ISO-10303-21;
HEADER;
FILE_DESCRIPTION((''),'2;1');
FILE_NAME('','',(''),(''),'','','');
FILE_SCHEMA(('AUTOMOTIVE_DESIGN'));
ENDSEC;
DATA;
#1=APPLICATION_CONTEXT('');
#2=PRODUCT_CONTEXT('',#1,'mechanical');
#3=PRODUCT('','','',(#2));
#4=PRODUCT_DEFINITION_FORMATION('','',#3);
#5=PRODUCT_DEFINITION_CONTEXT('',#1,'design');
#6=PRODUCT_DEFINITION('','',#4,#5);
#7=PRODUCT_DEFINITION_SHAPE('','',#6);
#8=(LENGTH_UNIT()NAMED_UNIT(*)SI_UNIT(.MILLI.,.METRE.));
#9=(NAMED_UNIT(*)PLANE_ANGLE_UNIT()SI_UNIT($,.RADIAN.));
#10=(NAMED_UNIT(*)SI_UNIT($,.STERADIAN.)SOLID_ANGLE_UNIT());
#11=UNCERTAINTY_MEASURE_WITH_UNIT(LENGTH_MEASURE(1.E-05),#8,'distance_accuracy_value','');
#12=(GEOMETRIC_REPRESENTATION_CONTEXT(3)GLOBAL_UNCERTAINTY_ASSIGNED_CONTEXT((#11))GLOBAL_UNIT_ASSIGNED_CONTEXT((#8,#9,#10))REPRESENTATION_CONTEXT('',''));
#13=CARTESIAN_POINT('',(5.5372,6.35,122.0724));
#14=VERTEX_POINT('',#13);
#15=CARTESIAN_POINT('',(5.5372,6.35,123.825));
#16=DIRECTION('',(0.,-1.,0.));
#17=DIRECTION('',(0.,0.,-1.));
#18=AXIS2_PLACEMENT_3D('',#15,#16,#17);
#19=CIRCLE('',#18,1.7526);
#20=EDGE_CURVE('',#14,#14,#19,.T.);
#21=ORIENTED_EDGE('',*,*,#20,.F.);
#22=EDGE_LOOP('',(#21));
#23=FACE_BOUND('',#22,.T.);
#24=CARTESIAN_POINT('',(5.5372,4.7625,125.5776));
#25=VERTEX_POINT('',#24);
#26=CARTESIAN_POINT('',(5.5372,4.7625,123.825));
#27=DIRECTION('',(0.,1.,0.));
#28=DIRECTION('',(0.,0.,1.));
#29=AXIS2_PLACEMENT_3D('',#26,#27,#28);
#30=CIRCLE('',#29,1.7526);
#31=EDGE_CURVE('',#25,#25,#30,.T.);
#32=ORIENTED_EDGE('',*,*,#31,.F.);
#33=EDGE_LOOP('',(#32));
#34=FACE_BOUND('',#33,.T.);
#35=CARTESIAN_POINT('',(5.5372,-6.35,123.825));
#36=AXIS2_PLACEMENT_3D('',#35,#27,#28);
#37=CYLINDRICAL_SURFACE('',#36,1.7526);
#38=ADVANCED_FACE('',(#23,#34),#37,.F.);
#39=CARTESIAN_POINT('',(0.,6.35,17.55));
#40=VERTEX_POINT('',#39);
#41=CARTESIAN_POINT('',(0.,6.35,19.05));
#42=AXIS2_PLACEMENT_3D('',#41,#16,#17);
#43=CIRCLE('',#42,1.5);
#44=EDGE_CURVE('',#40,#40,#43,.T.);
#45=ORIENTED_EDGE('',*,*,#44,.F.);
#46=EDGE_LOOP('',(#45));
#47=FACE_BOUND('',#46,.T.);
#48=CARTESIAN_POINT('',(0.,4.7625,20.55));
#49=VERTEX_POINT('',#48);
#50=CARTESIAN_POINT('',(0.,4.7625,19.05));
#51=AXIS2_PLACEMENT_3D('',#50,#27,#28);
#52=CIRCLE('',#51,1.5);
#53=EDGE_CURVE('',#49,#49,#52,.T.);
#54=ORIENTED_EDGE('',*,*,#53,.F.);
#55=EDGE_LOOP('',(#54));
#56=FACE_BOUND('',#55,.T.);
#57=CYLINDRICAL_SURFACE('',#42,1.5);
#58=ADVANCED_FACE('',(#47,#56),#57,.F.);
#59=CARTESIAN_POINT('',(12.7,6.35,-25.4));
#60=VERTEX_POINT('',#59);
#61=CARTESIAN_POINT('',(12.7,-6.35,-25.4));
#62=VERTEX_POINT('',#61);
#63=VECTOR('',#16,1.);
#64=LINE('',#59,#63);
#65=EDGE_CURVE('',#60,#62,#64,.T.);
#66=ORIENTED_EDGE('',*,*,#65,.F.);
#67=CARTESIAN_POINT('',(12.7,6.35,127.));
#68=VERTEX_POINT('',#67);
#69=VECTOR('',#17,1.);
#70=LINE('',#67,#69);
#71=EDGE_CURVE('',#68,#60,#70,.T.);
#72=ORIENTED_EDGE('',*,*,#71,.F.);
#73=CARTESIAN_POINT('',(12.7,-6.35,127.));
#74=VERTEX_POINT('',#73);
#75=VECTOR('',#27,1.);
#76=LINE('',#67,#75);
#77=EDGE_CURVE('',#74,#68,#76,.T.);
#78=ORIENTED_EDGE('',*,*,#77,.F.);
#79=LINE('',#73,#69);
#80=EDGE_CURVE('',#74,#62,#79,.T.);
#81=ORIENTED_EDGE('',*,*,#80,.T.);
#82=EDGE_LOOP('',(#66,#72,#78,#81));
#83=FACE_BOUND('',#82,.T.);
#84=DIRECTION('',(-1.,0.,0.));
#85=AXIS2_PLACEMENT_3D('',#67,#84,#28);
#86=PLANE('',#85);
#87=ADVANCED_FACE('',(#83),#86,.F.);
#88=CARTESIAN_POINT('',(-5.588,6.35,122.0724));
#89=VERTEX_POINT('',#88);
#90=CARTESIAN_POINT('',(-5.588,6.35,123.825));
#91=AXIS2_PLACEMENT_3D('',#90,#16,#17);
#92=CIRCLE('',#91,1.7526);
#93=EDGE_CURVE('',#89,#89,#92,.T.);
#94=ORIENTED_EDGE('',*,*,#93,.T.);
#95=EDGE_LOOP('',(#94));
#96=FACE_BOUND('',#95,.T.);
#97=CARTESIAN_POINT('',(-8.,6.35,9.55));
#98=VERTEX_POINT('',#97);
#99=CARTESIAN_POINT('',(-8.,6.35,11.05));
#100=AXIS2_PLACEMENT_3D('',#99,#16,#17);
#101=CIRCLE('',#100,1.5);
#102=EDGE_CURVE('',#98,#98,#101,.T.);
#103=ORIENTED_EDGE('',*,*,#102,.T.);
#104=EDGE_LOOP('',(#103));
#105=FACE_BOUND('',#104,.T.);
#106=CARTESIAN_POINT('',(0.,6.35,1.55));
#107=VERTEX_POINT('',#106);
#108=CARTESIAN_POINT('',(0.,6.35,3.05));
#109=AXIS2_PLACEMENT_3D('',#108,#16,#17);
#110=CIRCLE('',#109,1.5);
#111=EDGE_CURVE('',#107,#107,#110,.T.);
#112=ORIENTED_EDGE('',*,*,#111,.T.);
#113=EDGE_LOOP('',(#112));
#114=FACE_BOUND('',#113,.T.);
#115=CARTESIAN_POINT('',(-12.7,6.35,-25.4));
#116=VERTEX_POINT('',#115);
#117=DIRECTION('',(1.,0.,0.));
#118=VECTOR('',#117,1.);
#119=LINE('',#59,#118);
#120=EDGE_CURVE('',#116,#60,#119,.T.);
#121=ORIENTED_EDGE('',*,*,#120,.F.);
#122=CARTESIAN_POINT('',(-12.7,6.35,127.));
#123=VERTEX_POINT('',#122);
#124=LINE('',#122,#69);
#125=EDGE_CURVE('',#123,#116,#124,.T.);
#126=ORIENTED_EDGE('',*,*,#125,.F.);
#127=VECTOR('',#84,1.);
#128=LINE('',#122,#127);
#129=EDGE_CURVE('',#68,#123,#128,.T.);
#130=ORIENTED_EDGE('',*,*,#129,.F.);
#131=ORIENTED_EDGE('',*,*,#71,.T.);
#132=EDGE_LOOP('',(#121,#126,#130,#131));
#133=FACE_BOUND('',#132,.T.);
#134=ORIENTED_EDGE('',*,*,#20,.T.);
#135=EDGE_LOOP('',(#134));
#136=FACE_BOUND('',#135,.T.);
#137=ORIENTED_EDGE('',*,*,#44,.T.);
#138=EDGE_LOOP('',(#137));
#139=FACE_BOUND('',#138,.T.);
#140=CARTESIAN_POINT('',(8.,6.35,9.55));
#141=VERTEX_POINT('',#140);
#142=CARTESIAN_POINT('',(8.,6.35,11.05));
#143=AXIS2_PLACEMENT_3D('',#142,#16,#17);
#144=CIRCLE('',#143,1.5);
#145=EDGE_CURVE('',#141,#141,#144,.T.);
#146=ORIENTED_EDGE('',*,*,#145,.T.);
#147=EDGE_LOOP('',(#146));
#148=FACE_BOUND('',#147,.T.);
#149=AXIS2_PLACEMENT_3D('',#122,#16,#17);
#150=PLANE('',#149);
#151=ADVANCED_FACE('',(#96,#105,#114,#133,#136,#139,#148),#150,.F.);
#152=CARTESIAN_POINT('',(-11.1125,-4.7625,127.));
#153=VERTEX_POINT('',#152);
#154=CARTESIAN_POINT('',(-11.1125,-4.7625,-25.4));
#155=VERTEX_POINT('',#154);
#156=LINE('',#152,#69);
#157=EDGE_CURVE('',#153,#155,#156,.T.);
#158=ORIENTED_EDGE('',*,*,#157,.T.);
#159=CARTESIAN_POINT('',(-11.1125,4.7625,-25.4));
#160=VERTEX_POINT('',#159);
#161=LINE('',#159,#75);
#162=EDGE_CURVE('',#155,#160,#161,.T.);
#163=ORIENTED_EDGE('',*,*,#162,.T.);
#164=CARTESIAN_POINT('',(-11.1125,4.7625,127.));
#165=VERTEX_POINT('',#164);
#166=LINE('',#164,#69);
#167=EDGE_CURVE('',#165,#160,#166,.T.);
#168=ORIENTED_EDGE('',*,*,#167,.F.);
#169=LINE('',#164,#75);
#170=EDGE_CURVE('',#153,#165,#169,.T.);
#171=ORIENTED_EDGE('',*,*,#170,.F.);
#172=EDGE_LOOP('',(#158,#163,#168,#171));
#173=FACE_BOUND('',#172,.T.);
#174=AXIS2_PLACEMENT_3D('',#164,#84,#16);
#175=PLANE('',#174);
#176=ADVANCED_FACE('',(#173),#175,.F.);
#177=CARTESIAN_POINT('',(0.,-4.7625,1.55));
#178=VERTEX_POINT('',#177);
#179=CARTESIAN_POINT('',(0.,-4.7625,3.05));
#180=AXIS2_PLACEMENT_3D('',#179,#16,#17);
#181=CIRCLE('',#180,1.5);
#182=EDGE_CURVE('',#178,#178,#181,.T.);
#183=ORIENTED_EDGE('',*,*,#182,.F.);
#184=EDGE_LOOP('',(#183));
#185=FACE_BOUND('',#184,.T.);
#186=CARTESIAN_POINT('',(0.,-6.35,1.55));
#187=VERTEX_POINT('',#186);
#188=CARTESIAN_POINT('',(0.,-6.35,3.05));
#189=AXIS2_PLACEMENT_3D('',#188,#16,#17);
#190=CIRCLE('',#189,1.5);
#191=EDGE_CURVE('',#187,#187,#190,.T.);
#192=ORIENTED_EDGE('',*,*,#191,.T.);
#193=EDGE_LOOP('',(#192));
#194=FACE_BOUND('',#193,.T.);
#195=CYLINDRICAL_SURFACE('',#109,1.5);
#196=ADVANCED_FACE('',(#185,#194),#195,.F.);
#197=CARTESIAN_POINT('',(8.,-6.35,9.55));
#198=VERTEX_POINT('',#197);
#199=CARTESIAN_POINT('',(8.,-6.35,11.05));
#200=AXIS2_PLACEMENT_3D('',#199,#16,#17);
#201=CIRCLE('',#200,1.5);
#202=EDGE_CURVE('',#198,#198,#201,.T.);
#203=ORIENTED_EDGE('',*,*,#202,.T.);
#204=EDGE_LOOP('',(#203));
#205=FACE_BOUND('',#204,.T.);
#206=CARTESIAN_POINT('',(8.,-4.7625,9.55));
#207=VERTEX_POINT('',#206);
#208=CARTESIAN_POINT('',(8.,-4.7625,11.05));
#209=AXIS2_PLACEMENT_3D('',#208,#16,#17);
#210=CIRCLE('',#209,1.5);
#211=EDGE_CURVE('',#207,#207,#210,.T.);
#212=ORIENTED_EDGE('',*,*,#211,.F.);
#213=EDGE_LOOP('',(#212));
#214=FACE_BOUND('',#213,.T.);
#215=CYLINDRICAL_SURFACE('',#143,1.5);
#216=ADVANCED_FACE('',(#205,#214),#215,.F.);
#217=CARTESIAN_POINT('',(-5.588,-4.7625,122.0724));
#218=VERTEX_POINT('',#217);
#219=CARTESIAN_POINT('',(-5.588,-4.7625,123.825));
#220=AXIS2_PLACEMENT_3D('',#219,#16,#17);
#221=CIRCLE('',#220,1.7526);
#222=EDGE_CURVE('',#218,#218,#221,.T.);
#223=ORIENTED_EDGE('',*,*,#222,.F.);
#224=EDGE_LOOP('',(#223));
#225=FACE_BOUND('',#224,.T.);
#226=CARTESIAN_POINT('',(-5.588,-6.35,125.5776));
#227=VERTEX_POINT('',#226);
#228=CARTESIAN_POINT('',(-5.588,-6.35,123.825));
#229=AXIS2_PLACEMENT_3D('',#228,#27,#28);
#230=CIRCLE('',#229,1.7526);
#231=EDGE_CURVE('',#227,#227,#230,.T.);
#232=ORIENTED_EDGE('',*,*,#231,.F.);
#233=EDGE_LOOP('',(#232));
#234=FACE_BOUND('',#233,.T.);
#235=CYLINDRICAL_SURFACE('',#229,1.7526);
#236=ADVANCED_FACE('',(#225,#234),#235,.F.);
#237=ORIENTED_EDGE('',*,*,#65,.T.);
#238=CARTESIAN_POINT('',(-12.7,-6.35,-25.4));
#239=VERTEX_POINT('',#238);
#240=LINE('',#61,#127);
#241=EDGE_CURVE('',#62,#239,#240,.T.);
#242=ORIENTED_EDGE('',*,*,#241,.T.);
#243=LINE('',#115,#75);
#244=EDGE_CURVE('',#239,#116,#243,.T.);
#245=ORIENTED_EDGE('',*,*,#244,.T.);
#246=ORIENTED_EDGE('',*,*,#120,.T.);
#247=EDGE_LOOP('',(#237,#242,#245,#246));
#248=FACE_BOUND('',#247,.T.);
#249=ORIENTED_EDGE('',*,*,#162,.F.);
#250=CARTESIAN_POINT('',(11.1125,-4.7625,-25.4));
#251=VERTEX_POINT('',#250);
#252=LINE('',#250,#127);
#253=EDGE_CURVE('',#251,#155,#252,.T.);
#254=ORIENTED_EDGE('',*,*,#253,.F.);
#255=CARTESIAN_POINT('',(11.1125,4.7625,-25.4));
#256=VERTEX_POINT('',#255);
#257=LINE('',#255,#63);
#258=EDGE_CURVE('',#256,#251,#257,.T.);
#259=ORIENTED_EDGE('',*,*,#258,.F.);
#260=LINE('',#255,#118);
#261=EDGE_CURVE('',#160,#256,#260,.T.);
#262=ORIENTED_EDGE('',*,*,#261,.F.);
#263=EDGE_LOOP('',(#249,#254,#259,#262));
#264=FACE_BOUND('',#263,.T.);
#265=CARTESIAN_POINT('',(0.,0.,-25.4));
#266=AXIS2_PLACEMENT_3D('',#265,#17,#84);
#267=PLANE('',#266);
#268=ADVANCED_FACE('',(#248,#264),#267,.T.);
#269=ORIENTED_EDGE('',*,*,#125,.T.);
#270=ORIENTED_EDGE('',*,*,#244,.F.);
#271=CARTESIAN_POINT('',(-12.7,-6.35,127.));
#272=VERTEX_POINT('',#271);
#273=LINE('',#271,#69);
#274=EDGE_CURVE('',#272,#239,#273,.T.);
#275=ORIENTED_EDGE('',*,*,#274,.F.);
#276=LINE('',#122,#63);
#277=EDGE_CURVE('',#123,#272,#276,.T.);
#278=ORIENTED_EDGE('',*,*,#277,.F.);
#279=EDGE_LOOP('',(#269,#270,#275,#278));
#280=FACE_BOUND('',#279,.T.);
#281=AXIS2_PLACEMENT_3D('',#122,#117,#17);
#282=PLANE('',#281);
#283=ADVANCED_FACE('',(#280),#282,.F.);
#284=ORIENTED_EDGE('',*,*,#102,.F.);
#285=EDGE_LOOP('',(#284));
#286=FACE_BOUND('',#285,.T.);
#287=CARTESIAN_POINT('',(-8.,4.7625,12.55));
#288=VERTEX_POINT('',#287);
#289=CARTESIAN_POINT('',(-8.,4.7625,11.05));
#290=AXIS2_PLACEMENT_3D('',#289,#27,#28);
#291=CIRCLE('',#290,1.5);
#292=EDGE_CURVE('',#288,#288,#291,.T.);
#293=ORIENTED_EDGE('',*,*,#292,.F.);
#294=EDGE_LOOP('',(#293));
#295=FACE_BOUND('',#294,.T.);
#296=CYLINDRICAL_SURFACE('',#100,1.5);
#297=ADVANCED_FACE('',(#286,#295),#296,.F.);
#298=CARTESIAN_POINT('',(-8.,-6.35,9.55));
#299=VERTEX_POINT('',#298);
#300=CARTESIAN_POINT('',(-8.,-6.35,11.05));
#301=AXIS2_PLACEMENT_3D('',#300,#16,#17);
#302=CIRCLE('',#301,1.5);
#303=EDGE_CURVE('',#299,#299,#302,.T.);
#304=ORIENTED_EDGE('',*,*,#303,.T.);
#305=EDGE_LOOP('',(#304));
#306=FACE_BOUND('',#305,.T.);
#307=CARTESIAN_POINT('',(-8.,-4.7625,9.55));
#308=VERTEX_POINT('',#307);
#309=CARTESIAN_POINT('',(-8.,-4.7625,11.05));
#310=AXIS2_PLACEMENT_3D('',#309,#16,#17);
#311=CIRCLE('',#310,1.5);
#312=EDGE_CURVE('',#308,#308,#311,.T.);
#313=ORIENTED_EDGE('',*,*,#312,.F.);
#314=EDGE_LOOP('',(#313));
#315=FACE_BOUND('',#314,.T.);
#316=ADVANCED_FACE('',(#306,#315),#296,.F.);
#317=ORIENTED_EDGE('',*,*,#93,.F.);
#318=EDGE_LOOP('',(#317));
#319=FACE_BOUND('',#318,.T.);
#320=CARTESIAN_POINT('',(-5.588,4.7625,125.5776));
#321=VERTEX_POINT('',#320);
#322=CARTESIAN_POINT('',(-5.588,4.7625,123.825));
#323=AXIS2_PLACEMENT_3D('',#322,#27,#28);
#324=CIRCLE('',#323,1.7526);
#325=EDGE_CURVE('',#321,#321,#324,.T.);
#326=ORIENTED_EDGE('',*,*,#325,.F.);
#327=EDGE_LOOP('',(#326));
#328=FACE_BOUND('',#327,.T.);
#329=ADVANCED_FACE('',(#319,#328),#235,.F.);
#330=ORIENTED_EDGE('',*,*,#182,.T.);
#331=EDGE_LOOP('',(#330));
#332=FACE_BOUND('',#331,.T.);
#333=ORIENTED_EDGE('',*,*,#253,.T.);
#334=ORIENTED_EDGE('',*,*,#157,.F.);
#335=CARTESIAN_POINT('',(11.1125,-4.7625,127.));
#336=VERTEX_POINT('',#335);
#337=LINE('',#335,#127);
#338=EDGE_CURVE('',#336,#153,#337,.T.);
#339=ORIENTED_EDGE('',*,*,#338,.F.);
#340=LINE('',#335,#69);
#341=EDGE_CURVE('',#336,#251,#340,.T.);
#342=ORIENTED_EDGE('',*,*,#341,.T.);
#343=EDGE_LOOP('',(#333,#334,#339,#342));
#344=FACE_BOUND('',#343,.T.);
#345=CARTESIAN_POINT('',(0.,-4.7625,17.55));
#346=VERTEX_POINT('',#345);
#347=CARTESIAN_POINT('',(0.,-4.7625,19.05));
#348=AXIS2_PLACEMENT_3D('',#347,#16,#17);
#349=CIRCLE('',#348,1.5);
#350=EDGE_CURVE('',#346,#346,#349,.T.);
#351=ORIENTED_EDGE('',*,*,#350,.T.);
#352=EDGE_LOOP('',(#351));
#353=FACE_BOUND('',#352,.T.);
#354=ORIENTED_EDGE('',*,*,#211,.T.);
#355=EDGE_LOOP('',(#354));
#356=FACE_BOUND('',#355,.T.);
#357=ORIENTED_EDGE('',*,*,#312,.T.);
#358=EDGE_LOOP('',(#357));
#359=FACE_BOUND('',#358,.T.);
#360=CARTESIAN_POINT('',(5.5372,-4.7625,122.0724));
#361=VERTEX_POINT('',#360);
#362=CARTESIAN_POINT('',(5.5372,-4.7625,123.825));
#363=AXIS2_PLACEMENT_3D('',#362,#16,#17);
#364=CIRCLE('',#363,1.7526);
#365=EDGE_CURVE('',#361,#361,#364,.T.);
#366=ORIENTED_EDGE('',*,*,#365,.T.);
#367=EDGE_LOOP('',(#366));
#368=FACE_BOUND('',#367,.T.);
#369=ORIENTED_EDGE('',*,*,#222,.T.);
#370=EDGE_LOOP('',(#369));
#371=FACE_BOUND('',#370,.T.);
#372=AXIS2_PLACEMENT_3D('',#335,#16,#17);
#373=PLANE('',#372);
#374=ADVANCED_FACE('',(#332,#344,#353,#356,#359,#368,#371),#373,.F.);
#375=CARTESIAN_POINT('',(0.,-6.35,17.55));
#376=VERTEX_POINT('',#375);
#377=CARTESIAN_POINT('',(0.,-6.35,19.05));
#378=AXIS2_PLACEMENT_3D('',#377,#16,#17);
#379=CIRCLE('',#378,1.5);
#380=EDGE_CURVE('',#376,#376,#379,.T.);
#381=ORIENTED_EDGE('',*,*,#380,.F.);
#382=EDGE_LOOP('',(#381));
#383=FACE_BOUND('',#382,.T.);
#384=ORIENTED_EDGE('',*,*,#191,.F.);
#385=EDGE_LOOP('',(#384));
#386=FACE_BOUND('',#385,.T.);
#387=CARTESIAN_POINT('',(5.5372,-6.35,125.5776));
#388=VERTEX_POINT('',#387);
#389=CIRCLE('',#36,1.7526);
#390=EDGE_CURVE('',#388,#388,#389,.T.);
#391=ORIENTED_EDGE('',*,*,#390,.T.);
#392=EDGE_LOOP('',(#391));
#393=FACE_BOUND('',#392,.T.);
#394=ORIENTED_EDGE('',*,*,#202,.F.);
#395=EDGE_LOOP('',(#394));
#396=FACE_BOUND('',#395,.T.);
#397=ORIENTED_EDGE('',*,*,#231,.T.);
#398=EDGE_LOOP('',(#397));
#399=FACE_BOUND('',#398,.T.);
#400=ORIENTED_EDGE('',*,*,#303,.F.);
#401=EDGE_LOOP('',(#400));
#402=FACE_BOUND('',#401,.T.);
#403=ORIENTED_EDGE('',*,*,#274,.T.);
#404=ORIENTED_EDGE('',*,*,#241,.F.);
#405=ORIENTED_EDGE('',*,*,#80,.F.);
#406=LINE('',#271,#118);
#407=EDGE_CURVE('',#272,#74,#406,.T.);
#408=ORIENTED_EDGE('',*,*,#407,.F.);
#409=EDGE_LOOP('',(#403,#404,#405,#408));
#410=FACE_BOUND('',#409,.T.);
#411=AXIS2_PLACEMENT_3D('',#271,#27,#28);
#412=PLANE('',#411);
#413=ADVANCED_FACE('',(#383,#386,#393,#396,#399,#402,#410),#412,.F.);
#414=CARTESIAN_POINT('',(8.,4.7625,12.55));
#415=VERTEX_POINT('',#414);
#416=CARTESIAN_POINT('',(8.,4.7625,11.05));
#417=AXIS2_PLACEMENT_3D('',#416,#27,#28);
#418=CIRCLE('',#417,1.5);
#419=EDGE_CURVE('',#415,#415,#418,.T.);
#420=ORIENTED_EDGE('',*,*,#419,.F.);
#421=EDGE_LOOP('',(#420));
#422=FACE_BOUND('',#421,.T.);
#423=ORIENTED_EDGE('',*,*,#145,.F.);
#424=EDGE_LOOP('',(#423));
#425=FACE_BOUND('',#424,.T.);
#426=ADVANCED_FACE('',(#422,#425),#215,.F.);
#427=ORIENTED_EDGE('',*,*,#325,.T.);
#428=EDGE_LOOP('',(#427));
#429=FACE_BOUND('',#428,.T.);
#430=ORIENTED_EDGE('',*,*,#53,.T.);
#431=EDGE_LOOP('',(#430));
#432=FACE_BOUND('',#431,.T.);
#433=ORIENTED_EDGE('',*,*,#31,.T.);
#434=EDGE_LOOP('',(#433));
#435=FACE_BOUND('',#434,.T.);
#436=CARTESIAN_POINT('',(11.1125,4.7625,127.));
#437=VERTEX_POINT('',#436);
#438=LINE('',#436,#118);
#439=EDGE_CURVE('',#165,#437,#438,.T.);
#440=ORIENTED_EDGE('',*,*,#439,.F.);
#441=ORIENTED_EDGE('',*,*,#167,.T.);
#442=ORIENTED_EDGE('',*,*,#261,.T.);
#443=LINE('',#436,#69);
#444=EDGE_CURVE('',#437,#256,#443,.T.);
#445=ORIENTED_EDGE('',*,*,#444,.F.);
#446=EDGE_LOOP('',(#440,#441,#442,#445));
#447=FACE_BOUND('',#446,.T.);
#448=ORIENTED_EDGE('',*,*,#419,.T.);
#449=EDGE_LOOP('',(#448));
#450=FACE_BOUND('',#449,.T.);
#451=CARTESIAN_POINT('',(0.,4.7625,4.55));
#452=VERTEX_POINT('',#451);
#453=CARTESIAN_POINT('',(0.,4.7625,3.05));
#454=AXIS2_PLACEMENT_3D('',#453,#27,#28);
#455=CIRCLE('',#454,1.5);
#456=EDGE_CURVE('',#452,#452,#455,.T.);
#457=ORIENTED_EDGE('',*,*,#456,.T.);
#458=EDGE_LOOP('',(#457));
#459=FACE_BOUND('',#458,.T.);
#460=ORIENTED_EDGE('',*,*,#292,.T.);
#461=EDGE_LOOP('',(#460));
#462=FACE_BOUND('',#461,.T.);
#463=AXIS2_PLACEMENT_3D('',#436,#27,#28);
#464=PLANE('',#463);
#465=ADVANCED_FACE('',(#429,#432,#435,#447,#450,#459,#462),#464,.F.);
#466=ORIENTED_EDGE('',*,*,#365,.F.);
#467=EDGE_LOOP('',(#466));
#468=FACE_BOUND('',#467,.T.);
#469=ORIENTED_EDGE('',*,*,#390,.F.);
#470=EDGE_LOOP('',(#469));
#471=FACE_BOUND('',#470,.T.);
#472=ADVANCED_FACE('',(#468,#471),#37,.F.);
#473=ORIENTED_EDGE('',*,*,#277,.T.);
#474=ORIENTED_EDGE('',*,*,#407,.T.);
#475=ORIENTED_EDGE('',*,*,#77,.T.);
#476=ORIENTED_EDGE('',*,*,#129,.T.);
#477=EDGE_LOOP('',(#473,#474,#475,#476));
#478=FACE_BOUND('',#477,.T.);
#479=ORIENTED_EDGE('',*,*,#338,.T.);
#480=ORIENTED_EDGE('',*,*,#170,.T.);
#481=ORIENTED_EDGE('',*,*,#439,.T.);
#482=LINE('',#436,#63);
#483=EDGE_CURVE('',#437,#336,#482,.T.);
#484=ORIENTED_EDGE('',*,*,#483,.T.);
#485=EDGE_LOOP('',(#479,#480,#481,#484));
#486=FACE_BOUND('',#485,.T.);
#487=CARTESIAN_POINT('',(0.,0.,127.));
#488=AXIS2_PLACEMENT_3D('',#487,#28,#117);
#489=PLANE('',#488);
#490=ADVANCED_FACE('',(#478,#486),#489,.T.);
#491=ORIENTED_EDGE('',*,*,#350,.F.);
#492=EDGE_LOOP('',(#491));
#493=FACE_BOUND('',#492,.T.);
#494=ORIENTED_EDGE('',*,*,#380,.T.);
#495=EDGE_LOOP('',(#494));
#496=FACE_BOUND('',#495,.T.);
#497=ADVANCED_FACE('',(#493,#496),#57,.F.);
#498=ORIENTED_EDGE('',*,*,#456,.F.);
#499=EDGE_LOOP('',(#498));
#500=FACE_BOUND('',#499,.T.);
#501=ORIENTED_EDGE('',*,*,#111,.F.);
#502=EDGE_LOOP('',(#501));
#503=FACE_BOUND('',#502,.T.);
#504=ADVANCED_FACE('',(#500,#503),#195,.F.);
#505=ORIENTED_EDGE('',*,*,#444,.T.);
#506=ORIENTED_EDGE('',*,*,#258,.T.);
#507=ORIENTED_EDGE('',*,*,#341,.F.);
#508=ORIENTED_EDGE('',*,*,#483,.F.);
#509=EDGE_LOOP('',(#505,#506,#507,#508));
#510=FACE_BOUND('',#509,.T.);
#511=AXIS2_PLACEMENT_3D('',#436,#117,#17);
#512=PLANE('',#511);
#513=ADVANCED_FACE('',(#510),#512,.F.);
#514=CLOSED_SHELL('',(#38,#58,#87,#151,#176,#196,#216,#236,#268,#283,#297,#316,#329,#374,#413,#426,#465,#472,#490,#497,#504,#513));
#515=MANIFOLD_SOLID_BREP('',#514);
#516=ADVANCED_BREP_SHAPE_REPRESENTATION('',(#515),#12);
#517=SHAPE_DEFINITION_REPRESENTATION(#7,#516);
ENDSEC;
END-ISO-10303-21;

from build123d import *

# Parameters (mm, degrees)
SKETCH1_W               = 25.4
SKETCH1_H               = 12.7
BOSS_EXTRUDE1_DEPTH     = 127
SKETCH4_W               = 22.225
SKETCH4_H               = 9.525
CUT_EXTRUDE1_DEPTH      = 128
SKETCH5_R               = 1.7526
CUT_EXTRUDE2_DEPTH      = 1
CUT_EXTRUDE2_DEPTH_BACK = 13.7
SKETCH6_R               = 1.5
CUT_EXTRUDE3_DEPTH      = 1
CUT_EXTRUDE3_DEPTH_BACK = 13.7
SKETCH7_W               = 25.4
SKETCH7_H               = 12.7
SKETCH7_W_2             = 22.225
SKETCH7_H_2             = 9.525
BOSS_EXTRUDE2_DEPTH     = 25.4


with BuildPart() as part:
    # Sketch1 → Boss-Extrude1 (new body)
    with BuildSketch(Plane.XY):
        Rectangle(SKETCH1_W, SKETCH1_H)
    extrude(amount=BOSS_EXTRUDE1_DEPTH)

    # Sketch4 → Cut-Extrude1 (cut, through all)
    with BuildSketch(Plane(origin=(0, 0, 0), x_dir=(-1, 0, 0), z_dir=(0, 0, -1))):
        Rectangle(SKETCH4_W, SKETCH4_H)
    extrude(amount=-CUT_EXTRUDE1_DEPTH, mode=Mode.SUBTRACT)

    # Sketch5 → Cut-Extrude2 (cut, two sides)
    with BuildSketch(Plane(origin=(0, 6.35, 0), x_dir=(1, 0, 0), z_dir=(0, 1, 0))) as cut_extrude2_sk:
        with Locations((-5.588, -123.825)):
            Circle(SKETCH5_R)
        with Locations((5.5372, -123.825)):
            Circle(SKETCH5_R)
    extrude(amount=CUT_EXTRUDE2_DEPTH, mode=Mode.SUBTRACT)
    extrude(cut_extrude2_sk.sketch, amount=-CUT_EXTRUDE2_DEPTH_BACK, mode=Mode.SUBTRACT)

    # Sketch6 → Cut-Extrude3 (cut, two sides)
    with BuildSketch(Plane(origin=(0, -6.35, 0), x_dir=(-1, 0, 0), z_dir=(0, -1, 0))) as cut_extrude3_sk:
        with Locations((8, -11.05)):
            Circle(SKETCH6_R)
        with Locations((-8, -11.05)):
            Circle(SKETCH6_R)
        with Locations((0, -3.05)):
            Circle(SKETCH6_R)
        with Locations((0, -19.05)):
            Circle(SKETCH6_R)
    extrude(amount=CUT_EXTRUDE3_DEPTH, mode=Mode.SUBTRACT)
    extrude(cut_extrude3_sk.sketch, amount=-CUT_EXTRUDE3_DEPTH_BACK, mode=Mode.SUBTRACT)

    # Sketch7 → Boss-Extrude2 (add)
    with BuildSketch(Plane(origin=(0, 0, 0), x_dir=(-1, 0, 0), z_dir=(0, 0, -1))):
        Rectangle(SKETCH7_W, SKETCH7_H)
        Rectangle(SKETCH7_W_2, SKETCH7_H_2, mode=Mode.SUBTRACT)
    extrude(amount=BOSS_EXTRUDE2_DEPTH)


solid = part.part
